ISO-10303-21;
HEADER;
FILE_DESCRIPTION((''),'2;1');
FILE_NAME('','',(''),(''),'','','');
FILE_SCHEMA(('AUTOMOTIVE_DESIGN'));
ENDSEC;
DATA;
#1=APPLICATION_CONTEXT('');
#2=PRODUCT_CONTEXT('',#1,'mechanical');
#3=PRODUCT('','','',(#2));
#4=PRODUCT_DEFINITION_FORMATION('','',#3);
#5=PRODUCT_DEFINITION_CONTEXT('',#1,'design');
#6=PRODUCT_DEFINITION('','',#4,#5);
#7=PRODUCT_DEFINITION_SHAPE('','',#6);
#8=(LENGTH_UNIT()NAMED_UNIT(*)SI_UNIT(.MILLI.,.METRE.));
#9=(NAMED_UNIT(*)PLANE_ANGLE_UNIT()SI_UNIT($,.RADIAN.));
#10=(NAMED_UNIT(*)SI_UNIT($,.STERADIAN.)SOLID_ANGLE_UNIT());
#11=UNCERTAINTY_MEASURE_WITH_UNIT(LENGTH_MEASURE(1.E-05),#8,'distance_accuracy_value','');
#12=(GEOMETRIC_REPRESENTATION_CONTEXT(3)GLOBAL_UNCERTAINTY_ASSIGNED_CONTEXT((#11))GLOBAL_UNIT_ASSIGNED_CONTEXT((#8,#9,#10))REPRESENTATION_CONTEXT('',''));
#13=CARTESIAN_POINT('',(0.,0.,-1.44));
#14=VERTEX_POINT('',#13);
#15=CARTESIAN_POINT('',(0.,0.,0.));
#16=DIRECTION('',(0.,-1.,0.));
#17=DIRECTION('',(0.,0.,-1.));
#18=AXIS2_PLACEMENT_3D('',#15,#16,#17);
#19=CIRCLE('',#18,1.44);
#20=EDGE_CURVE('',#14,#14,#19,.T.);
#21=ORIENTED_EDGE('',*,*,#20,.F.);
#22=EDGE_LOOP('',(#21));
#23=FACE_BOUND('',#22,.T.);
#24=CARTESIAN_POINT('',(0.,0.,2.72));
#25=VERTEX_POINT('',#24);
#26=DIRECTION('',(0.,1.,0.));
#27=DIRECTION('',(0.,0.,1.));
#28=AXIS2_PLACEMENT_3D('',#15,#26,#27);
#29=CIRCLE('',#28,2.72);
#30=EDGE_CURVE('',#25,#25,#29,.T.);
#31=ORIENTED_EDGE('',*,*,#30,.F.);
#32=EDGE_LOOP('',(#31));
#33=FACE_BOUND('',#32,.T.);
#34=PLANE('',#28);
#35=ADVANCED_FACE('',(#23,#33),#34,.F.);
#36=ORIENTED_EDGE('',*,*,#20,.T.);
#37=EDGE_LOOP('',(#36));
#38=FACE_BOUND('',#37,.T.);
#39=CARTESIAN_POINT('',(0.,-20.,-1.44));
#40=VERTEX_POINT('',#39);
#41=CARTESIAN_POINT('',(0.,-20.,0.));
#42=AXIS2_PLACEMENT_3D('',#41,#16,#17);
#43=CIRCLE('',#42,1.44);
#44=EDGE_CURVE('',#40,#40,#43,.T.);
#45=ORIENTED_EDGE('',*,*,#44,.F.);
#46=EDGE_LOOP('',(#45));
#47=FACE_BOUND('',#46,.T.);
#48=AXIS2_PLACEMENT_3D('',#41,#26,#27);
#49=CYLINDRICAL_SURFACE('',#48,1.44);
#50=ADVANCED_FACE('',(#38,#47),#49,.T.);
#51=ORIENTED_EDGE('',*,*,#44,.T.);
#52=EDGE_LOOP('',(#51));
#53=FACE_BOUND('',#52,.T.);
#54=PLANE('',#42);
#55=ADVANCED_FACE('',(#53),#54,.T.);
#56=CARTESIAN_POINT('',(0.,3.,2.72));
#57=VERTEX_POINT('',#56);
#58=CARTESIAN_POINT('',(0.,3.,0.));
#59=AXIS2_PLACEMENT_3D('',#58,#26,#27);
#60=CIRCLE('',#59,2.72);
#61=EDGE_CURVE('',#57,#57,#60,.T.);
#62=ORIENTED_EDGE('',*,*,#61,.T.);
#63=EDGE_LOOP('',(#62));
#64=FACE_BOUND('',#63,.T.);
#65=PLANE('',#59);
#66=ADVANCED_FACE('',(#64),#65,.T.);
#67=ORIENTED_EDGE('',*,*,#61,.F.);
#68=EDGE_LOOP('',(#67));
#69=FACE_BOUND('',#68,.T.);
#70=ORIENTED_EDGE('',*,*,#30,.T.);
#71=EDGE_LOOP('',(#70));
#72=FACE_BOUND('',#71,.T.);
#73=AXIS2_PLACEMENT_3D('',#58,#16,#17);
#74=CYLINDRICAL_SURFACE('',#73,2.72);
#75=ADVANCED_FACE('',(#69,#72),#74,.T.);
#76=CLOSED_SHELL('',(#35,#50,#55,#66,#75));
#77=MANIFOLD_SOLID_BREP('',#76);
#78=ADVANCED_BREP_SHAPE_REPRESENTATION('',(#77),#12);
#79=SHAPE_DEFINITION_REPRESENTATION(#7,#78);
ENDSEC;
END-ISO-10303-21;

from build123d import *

# Parameters (mm, degrees)
SKETCH1_R           = 2.72
BOSS_EXTRUDE1_DEPTH = 3
SKETCH2_R           = 1.44
BOSS_EXTRUDE2_DEPTH = 20


with BuildPart() as part:
    # Sketch1 → Boss-Extrude1 (new body)
    with BuildSketch(Plane(origin=(0, 0, 0), x_dir=(1, 0, 0), z_dir=(0, 1, 0))):
        Circle(SKETCH1_R)
    extrude(amount=BOSS_EXTRUDE1_DEPTH)

    # Sketch2 → Boss-Extrude2 (add)
    with BuildSketch(Plane.XZ):
        Circle(SKETCH2_R)
    extrude(amount=BOSS_EXTRUDE2_DEPTH)


solid = part.part
